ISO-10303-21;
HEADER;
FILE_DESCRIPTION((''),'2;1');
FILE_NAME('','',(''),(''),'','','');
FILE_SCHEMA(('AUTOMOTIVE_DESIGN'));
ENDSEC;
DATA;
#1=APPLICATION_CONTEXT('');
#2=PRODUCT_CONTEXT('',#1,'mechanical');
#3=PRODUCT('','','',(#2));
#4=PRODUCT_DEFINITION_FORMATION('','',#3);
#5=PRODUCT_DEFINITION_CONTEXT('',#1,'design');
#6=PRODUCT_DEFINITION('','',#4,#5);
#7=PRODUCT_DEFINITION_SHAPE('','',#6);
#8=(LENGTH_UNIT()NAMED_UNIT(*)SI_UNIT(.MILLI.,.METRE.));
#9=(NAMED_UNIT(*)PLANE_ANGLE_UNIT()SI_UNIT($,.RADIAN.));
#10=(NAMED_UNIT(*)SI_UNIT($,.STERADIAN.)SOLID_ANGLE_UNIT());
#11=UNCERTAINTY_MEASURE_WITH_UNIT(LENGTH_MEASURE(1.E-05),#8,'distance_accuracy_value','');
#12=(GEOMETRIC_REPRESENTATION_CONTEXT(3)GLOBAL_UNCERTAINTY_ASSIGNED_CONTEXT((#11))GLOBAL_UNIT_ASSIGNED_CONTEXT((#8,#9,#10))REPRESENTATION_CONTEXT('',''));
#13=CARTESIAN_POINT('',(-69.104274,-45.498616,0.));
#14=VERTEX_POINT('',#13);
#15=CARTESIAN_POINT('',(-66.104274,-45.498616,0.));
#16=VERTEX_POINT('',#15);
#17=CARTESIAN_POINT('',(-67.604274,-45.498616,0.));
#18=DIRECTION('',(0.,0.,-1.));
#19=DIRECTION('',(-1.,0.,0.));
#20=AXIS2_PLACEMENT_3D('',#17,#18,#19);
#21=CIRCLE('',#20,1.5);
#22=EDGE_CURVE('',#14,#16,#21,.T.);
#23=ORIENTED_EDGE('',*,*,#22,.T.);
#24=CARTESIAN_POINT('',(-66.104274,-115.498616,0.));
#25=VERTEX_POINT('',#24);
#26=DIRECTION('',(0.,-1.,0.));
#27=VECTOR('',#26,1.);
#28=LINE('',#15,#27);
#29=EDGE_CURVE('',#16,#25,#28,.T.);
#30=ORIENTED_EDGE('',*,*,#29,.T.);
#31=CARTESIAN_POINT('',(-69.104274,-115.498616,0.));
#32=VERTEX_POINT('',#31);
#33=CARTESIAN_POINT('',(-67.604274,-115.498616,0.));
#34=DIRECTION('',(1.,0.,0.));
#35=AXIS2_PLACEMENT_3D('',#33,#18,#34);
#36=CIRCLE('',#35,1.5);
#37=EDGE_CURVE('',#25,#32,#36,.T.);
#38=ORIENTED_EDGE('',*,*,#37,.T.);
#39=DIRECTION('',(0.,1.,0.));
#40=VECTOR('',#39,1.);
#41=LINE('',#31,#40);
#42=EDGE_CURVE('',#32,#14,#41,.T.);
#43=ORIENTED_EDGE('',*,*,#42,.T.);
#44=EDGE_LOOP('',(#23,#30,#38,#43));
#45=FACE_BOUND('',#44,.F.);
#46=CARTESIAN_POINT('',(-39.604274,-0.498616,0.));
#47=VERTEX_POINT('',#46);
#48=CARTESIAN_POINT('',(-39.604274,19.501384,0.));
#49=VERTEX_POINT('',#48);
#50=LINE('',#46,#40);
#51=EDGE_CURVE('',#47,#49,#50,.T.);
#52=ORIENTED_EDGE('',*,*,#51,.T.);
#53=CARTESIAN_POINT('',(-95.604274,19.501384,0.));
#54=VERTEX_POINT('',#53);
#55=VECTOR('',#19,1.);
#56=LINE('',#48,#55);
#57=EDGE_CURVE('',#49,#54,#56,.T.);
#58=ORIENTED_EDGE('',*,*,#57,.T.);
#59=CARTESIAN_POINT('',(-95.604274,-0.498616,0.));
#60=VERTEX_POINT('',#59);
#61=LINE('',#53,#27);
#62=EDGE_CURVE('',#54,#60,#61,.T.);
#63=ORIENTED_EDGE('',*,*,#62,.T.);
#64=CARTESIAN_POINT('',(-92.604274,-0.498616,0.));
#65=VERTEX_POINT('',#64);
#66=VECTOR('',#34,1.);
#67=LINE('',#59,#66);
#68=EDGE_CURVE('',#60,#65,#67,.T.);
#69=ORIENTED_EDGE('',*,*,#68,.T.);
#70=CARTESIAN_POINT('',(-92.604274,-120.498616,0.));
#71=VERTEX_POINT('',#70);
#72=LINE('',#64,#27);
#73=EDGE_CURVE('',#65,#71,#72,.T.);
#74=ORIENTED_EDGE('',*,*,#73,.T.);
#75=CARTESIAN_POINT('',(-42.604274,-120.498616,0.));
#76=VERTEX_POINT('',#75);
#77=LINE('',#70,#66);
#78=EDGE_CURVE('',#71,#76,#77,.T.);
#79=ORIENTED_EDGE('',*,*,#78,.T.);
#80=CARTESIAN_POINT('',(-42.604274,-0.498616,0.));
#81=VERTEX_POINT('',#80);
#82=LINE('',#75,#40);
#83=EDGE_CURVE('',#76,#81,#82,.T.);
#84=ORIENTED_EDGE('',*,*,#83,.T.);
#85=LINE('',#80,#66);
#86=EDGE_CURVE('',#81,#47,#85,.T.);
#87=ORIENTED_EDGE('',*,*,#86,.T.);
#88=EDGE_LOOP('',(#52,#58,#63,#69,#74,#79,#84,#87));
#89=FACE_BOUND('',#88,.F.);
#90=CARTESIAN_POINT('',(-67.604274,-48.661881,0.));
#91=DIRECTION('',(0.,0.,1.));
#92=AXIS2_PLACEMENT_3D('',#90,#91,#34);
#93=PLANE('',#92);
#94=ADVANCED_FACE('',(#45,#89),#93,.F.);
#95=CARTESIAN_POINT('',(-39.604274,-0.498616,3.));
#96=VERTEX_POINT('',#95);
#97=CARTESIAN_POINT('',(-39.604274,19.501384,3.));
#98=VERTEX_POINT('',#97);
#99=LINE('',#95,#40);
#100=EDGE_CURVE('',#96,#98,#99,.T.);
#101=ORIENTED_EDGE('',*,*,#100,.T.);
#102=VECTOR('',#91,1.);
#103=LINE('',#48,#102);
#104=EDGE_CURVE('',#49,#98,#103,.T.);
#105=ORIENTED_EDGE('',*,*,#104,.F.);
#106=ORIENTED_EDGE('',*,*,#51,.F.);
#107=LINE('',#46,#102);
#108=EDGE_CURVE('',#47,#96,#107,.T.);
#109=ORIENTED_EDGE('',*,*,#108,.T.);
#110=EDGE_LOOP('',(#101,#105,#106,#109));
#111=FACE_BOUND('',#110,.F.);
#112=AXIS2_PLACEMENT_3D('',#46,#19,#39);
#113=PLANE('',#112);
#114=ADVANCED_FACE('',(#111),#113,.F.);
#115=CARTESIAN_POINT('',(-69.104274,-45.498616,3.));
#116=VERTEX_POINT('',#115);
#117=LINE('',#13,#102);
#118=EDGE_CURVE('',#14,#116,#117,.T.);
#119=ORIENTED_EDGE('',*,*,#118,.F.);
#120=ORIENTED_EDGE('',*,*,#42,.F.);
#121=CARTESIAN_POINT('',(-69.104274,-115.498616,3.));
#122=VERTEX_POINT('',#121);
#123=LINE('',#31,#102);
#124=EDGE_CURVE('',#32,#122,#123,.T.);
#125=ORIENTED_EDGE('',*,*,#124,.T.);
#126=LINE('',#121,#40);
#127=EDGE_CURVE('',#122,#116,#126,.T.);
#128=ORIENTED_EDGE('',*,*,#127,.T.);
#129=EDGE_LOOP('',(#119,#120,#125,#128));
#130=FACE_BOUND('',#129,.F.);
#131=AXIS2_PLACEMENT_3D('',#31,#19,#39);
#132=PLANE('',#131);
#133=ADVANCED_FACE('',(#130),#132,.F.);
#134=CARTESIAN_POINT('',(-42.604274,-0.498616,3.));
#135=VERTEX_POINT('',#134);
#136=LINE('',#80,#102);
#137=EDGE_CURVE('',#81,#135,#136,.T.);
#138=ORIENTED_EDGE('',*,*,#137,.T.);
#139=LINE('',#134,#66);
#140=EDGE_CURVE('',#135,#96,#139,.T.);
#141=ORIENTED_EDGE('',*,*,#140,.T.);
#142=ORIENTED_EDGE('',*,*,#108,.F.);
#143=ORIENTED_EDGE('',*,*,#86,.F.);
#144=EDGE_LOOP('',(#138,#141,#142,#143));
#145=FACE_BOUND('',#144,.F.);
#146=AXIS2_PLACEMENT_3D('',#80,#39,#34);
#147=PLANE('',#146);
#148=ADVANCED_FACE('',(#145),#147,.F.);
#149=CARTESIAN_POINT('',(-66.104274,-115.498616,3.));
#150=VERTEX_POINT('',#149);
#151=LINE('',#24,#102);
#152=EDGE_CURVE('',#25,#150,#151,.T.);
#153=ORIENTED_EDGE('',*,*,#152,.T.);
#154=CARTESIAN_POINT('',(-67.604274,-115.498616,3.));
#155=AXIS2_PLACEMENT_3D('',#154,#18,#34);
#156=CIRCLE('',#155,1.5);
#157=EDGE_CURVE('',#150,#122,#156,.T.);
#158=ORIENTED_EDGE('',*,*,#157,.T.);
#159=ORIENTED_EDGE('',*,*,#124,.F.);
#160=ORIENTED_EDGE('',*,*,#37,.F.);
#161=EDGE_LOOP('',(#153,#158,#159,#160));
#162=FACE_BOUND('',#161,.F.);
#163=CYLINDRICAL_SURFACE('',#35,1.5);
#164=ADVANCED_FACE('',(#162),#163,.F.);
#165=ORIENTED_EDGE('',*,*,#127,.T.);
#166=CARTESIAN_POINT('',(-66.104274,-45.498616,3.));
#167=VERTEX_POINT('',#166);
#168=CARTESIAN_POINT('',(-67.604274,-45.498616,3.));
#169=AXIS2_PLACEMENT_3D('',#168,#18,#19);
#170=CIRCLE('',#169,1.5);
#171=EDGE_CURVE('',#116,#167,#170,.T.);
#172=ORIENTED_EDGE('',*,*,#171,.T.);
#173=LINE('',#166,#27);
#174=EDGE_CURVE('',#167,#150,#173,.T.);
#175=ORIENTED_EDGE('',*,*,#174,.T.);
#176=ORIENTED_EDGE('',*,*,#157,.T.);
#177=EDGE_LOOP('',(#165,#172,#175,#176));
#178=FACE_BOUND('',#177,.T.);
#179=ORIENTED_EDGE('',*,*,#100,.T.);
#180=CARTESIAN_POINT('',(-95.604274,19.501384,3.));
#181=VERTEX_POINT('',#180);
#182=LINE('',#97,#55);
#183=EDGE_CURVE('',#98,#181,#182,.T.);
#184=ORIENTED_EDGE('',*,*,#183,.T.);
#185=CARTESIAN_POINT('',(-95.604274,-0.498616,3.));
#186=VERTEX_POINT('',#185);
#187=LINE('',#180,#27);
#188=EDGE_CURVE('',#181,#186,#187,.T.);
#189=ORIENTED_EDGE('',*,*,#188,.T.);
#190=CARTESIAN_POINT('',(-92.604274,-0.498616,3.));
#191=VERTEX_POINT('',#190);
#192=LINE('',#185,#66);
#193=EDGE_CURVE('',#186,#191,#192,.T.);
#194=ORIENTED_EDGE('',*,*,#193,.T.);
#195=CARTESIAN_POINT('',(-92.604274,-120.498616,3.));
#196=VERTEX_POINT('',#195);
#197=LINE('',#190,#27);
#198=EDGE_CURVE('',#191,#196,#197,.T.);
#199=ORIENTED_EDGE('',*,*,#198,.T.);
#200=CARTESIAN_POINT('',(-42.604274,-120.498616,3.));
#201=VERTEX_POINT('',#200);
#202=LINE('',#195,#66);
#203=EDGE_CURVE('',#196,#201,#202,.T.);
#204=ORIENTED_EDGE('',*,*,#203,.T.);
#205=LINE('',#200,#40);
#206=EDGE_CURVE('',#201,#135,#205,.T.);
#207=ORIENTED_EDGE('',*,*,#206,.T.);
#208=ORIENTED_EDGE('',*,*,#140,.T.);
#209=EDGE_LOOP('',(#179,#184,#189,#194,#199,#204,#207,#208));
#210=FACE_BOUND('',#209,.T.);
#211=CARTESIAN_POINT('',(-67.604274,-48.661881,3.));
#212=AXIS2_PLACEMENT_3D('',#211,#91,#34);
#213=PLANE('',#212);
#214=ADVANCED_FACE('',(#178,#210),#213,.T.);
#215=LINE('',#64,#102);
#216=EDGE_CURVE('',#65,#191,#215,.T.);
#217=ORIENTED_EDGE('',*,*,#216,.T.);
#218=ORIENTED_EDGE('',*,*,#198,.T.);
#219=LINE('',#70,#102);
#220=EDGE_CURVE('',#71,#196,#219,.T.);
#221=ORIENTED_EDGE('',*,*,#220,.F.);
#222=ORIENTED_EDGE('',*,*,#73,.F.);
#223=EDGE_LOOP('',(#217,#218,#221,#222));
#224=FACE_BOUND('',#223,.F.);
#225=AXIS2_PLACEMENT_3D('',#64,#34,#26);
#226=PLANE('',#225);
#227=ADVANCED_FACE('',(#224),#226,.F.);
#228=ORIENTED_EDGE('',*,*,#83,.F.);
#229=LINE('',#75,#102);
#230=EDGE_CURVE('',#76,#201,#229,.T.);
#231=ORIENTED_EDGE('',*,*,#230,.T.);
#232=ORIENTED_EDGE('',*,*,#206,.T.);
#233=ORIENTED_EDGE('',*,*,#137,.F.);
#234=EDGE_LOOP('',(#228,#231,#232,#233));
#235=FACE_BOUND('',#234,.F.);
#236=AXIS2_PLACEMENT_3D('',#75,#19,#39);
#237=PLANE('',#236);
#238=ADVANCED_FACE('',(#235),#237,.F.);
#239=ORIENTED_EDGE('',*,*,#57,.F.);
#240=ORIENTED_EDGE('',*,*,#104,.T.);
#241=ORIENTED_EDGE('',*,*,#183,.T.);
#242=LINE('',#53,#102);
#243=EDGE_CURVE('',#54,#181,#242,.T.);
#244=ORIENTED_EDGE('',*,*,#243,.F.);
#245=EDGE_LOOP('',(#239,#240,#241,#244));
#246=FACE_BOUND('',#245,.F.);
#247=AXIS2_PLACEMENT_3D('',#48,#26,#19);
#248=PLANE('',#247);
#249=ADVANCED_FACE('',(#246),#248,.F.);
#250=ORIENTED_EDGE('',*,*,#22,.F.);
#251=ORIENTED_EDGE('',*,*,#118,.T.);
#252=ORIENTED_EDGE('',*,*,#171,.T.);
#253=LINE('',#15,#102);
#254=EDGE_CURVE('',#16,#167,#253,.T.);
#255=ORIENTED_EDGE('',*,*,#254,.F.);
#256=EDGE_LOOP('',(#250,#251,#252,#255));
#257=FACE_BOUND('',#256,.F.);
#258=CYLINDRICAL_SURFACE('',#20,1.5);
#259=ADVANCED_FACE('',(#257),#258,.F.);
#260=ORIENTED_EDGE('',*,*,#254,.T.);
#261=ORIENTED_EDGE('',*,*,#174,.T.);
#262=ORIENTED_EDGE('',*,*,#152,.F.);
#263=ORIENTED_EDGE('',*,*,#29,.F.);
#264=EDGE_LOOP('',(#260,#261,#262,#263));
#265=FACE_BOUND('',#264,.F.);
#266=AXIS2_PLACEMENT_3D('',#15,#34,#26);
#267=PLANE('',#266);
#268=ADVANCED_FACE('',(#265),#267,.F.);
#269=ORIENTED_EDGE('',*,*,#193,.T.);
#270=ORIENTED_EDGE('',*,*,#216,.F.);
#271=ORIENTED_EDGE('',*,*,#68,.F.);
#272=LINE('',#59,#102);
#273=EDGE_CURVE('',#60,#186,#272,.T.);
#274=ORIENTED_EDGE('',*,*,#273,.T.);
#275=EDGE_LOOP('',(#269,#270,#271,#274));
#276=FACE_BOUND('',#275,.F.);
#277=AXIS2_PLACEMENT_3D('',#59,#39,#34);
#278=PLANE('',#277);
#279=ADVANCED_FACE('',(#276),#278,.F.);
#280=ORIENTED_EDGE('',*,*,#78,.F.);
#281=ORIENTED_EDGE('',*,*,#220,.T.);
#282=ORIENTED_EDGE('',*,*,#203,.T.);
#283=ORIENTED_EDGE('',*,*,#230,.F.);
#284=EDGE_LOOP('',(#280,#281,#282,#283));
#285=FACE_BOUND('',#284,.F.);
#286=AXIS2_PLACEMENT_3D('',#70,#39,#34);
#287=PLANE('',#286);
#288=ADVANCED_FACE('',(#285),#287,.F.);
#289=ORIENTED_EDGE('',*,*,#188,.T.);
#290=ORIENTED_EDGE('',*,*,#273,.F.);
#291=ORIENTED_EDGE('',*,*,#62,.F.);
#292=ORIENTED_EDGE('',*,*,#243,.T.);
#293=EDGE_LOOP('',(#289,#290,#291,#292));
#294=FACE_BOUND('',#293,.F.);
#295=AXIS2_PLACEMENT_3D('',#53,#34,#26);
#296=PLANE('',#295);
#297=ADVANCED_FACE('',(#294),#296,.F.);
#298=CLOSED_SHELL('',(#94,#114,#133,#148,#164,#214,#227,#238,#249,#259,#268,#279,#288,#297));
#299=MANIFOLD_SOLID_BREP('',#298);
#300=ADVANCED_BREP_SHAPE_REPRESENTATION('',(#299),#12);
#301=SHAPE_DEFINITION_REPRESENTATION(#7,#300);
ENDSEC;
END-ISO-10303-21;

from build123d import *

# Parameters (mm, degrees)
F1_DEPTH = 3


with BuildPart() as f1:
    # F0 (on Top) → F1 (new body)
    with BuildSketch(Plane.XY):
        Polygon((-92.604274, -0.498616), (-92.604274, -120.498616), (-42.604274, -120.498616), (-42.604274, -0.498616), (-39.604274, -0.498616), (-39.604274, 19.501384), (-42.604274, 19.501384), (-92.604274, 19.501384), (-95.604274, 19.501384), (-95.604274, -0.498616), align=None)
        with BuildLine():
            Line((-69.104274, -115.498616), (-69.104274, -45.498616))
            ThreePointArc((-69.104274, -45.498616), (-67.604274, -43.998616), (-66.104274, -45.498616))
            Line((-66.104274, -45.498616), (-66.104274, -115.498616))
            ThreePointArc((-66.104274, -115.498616), (-67.604274, -116.998616), (-69.104274, -115.498616))
        make_face(mode=Mode.SUBTRACT)
    extrude(amount=F1_DEPTH)


solid = f1.part
